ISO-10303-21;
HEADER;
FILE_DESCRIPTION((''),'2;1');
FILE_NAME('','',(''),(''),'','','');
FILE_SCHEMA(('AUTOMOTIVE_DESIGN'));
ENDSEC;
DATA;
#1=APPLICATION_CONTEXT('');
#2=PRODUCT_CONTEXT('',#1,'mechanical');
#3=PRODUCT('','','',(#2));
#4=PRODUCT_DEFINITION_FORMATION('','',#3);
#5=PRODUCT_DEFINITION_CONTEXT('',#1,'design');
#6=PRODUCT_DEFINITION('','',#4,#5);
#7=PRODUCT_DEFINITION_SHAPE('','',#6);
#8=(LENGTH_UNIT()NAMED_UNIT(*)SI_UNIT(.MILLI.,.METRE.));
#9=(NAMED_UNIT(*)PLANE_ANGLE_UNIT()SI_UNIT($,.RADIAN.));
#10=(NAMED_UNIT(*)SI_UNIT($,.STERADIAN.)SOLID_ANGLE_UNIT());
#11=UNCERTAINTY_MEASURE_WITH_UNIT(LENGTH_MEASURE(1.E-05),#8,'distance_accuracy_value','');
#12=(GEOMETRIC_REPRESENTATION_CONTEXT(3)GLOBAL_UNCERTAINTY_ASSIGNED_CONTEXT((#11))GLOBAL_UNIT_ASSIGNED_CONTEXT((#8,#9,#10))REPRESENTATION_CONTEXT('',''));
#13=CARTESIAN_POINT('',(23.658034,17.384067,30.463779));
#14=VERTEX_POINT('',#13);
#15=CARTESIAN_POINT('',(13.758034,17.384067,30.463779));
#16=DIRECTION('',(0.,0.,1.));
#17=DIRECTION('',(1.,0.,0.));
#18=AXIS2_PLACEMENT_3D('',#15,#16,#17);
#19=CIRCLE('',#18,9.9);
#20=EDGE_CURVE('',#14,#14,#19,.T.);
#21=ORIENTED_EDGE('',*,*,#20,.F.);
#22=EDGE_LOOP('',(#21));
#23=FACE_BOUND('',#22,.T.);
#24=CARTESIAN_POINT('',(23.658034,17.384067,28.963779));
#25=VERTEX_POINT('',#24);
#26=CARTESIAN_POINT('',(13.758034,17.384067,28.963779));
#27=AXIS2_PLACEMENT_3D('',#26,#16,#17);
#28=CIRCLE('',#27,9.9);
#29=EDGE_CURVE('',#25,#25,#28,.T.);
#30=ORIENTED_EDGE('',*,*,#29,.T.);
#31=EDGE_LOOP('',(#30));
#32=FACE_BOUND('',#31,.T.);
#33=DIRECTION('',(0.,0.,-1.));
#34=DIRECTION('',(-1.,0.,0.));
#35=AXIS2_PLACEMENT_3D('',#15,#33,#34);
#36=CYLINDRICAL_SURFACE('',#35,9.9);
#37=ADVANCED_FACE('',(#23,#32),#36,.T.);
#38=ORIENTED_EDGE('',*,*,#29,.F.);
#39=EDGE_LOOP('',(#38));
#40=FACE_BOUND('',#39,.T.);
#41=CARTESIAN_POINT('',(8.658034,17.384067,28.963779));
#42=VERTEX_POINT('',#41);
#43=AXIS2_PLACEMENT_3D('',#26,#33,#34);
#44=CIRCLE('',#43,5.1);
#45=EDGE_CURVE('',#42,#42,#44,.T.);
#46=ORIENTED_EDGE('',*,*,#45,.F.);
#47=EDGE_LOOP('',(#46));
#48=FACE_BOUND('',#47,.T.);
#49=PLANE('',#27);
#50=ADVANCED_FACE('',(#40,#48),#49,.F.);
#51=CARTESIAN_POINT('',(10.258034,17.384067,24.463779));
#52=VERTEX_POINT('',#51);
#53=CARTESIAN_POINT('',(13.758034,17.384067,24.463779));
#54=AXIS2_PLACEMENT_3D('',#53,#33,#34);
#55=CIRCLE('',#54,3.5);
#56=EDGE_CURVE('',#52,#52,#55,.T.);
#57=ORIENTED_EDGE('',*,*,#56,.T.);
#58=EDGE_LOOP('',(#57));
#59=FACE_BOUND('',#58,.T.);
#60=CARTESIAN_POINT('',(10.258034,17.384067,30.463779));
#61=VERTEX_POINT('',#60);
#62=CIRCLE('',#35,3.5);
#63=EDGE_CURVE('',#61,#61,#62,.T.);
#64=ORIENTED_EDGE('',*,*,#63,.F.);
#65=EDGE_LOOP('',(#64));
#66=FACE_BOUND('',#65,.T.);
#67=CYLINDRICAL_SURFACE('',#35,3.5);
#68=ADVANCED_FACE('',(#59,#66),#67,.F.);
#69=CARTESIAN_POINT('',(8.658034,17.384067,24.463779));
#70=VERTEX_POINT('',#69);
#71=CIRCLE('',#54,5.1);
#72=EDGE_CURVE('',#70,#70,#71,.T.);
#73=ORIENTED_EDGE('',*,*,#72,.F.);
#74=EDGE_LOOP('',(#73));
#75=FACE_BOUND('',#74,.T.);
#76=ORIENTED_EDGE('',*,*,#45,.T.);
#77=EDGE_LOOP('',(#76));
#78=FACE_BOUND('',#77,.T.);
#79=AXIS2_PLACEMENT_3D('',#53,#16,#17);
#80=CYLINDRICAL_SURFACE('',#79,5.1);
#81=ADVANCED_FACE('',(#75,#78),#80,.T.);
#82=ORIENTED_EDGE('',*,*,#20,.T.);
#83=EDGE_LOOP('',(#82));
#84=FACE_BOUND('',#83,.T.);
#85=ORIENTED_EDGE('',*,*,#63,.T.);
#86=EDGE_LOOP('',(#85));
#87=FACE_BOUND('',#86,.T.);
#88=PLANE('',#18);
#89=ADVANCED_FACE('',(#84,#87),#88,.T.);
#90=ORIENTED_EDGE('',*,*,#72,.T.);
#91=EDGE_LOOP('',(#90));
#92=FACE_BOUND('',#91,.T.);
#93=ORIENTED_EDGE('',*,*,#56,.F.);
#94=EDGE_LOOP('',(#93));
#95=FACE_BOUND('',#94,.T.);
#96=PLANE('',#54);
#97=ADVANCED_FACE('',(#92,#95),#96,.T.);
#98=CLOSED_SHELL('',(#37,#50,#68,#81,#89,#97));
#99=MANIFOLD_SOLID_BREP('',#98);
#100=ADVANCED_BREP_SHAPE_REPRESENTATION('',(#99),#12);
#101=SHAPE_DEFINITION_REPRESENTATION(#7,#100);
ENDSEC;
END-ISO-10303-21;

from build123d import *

# Parameters (mm, degrees)
SKETCH1_R           = 9.9
BOSS_EXTRUDE1_DEPTH = 1.5
SKETCH2_R           = 5.1
BOSS_EXTRUDE2_DEPTH = 4.5
SKETCH3_R           = 3.5
CUT_EXTRUDE1_DEPTH  = 7


with BuildPart() as part:
    # Sketch1 → Boss-Extrude1 (new body)
    with BuildSketch(Plane.XY.offset(28.963778517)):
        with Locations((13.758033718, 17.384066602)):
            Circle(SKETCH1_R)
    extrude(amount=BOSS_EXTRUDE1_DEPTH)

    # Sketch2 → Boss-Extrude2 (add)
    with BuildSketch(Plane(origin=(0, 0, 28.963778517), x_dir=(-1, 0, 0), z_dir=(0, 0, -1))):
        with Locations((-13.758033718, 17.384066602)):
            Circle(SKETCH2_R)
    extrude(amount=BOSS_EXTRUDE2_DEPTH)

    # Sketch3 → Cut-Extrude1 (cut, through all)
    with BuildSketch(Plane(origin=(0, 0, 24.463778517), x_dir=(-1, 0, 0), z_dir=(0, 0, -1))):
        with Locations((-13.758033718, 17.384066602)):
            Circle(SKETCH3_R)
    extrude(amount=-CUT_EXTRUDE1_DEPTH, mode=Mode.SUBTRACT)


solid = part.part
